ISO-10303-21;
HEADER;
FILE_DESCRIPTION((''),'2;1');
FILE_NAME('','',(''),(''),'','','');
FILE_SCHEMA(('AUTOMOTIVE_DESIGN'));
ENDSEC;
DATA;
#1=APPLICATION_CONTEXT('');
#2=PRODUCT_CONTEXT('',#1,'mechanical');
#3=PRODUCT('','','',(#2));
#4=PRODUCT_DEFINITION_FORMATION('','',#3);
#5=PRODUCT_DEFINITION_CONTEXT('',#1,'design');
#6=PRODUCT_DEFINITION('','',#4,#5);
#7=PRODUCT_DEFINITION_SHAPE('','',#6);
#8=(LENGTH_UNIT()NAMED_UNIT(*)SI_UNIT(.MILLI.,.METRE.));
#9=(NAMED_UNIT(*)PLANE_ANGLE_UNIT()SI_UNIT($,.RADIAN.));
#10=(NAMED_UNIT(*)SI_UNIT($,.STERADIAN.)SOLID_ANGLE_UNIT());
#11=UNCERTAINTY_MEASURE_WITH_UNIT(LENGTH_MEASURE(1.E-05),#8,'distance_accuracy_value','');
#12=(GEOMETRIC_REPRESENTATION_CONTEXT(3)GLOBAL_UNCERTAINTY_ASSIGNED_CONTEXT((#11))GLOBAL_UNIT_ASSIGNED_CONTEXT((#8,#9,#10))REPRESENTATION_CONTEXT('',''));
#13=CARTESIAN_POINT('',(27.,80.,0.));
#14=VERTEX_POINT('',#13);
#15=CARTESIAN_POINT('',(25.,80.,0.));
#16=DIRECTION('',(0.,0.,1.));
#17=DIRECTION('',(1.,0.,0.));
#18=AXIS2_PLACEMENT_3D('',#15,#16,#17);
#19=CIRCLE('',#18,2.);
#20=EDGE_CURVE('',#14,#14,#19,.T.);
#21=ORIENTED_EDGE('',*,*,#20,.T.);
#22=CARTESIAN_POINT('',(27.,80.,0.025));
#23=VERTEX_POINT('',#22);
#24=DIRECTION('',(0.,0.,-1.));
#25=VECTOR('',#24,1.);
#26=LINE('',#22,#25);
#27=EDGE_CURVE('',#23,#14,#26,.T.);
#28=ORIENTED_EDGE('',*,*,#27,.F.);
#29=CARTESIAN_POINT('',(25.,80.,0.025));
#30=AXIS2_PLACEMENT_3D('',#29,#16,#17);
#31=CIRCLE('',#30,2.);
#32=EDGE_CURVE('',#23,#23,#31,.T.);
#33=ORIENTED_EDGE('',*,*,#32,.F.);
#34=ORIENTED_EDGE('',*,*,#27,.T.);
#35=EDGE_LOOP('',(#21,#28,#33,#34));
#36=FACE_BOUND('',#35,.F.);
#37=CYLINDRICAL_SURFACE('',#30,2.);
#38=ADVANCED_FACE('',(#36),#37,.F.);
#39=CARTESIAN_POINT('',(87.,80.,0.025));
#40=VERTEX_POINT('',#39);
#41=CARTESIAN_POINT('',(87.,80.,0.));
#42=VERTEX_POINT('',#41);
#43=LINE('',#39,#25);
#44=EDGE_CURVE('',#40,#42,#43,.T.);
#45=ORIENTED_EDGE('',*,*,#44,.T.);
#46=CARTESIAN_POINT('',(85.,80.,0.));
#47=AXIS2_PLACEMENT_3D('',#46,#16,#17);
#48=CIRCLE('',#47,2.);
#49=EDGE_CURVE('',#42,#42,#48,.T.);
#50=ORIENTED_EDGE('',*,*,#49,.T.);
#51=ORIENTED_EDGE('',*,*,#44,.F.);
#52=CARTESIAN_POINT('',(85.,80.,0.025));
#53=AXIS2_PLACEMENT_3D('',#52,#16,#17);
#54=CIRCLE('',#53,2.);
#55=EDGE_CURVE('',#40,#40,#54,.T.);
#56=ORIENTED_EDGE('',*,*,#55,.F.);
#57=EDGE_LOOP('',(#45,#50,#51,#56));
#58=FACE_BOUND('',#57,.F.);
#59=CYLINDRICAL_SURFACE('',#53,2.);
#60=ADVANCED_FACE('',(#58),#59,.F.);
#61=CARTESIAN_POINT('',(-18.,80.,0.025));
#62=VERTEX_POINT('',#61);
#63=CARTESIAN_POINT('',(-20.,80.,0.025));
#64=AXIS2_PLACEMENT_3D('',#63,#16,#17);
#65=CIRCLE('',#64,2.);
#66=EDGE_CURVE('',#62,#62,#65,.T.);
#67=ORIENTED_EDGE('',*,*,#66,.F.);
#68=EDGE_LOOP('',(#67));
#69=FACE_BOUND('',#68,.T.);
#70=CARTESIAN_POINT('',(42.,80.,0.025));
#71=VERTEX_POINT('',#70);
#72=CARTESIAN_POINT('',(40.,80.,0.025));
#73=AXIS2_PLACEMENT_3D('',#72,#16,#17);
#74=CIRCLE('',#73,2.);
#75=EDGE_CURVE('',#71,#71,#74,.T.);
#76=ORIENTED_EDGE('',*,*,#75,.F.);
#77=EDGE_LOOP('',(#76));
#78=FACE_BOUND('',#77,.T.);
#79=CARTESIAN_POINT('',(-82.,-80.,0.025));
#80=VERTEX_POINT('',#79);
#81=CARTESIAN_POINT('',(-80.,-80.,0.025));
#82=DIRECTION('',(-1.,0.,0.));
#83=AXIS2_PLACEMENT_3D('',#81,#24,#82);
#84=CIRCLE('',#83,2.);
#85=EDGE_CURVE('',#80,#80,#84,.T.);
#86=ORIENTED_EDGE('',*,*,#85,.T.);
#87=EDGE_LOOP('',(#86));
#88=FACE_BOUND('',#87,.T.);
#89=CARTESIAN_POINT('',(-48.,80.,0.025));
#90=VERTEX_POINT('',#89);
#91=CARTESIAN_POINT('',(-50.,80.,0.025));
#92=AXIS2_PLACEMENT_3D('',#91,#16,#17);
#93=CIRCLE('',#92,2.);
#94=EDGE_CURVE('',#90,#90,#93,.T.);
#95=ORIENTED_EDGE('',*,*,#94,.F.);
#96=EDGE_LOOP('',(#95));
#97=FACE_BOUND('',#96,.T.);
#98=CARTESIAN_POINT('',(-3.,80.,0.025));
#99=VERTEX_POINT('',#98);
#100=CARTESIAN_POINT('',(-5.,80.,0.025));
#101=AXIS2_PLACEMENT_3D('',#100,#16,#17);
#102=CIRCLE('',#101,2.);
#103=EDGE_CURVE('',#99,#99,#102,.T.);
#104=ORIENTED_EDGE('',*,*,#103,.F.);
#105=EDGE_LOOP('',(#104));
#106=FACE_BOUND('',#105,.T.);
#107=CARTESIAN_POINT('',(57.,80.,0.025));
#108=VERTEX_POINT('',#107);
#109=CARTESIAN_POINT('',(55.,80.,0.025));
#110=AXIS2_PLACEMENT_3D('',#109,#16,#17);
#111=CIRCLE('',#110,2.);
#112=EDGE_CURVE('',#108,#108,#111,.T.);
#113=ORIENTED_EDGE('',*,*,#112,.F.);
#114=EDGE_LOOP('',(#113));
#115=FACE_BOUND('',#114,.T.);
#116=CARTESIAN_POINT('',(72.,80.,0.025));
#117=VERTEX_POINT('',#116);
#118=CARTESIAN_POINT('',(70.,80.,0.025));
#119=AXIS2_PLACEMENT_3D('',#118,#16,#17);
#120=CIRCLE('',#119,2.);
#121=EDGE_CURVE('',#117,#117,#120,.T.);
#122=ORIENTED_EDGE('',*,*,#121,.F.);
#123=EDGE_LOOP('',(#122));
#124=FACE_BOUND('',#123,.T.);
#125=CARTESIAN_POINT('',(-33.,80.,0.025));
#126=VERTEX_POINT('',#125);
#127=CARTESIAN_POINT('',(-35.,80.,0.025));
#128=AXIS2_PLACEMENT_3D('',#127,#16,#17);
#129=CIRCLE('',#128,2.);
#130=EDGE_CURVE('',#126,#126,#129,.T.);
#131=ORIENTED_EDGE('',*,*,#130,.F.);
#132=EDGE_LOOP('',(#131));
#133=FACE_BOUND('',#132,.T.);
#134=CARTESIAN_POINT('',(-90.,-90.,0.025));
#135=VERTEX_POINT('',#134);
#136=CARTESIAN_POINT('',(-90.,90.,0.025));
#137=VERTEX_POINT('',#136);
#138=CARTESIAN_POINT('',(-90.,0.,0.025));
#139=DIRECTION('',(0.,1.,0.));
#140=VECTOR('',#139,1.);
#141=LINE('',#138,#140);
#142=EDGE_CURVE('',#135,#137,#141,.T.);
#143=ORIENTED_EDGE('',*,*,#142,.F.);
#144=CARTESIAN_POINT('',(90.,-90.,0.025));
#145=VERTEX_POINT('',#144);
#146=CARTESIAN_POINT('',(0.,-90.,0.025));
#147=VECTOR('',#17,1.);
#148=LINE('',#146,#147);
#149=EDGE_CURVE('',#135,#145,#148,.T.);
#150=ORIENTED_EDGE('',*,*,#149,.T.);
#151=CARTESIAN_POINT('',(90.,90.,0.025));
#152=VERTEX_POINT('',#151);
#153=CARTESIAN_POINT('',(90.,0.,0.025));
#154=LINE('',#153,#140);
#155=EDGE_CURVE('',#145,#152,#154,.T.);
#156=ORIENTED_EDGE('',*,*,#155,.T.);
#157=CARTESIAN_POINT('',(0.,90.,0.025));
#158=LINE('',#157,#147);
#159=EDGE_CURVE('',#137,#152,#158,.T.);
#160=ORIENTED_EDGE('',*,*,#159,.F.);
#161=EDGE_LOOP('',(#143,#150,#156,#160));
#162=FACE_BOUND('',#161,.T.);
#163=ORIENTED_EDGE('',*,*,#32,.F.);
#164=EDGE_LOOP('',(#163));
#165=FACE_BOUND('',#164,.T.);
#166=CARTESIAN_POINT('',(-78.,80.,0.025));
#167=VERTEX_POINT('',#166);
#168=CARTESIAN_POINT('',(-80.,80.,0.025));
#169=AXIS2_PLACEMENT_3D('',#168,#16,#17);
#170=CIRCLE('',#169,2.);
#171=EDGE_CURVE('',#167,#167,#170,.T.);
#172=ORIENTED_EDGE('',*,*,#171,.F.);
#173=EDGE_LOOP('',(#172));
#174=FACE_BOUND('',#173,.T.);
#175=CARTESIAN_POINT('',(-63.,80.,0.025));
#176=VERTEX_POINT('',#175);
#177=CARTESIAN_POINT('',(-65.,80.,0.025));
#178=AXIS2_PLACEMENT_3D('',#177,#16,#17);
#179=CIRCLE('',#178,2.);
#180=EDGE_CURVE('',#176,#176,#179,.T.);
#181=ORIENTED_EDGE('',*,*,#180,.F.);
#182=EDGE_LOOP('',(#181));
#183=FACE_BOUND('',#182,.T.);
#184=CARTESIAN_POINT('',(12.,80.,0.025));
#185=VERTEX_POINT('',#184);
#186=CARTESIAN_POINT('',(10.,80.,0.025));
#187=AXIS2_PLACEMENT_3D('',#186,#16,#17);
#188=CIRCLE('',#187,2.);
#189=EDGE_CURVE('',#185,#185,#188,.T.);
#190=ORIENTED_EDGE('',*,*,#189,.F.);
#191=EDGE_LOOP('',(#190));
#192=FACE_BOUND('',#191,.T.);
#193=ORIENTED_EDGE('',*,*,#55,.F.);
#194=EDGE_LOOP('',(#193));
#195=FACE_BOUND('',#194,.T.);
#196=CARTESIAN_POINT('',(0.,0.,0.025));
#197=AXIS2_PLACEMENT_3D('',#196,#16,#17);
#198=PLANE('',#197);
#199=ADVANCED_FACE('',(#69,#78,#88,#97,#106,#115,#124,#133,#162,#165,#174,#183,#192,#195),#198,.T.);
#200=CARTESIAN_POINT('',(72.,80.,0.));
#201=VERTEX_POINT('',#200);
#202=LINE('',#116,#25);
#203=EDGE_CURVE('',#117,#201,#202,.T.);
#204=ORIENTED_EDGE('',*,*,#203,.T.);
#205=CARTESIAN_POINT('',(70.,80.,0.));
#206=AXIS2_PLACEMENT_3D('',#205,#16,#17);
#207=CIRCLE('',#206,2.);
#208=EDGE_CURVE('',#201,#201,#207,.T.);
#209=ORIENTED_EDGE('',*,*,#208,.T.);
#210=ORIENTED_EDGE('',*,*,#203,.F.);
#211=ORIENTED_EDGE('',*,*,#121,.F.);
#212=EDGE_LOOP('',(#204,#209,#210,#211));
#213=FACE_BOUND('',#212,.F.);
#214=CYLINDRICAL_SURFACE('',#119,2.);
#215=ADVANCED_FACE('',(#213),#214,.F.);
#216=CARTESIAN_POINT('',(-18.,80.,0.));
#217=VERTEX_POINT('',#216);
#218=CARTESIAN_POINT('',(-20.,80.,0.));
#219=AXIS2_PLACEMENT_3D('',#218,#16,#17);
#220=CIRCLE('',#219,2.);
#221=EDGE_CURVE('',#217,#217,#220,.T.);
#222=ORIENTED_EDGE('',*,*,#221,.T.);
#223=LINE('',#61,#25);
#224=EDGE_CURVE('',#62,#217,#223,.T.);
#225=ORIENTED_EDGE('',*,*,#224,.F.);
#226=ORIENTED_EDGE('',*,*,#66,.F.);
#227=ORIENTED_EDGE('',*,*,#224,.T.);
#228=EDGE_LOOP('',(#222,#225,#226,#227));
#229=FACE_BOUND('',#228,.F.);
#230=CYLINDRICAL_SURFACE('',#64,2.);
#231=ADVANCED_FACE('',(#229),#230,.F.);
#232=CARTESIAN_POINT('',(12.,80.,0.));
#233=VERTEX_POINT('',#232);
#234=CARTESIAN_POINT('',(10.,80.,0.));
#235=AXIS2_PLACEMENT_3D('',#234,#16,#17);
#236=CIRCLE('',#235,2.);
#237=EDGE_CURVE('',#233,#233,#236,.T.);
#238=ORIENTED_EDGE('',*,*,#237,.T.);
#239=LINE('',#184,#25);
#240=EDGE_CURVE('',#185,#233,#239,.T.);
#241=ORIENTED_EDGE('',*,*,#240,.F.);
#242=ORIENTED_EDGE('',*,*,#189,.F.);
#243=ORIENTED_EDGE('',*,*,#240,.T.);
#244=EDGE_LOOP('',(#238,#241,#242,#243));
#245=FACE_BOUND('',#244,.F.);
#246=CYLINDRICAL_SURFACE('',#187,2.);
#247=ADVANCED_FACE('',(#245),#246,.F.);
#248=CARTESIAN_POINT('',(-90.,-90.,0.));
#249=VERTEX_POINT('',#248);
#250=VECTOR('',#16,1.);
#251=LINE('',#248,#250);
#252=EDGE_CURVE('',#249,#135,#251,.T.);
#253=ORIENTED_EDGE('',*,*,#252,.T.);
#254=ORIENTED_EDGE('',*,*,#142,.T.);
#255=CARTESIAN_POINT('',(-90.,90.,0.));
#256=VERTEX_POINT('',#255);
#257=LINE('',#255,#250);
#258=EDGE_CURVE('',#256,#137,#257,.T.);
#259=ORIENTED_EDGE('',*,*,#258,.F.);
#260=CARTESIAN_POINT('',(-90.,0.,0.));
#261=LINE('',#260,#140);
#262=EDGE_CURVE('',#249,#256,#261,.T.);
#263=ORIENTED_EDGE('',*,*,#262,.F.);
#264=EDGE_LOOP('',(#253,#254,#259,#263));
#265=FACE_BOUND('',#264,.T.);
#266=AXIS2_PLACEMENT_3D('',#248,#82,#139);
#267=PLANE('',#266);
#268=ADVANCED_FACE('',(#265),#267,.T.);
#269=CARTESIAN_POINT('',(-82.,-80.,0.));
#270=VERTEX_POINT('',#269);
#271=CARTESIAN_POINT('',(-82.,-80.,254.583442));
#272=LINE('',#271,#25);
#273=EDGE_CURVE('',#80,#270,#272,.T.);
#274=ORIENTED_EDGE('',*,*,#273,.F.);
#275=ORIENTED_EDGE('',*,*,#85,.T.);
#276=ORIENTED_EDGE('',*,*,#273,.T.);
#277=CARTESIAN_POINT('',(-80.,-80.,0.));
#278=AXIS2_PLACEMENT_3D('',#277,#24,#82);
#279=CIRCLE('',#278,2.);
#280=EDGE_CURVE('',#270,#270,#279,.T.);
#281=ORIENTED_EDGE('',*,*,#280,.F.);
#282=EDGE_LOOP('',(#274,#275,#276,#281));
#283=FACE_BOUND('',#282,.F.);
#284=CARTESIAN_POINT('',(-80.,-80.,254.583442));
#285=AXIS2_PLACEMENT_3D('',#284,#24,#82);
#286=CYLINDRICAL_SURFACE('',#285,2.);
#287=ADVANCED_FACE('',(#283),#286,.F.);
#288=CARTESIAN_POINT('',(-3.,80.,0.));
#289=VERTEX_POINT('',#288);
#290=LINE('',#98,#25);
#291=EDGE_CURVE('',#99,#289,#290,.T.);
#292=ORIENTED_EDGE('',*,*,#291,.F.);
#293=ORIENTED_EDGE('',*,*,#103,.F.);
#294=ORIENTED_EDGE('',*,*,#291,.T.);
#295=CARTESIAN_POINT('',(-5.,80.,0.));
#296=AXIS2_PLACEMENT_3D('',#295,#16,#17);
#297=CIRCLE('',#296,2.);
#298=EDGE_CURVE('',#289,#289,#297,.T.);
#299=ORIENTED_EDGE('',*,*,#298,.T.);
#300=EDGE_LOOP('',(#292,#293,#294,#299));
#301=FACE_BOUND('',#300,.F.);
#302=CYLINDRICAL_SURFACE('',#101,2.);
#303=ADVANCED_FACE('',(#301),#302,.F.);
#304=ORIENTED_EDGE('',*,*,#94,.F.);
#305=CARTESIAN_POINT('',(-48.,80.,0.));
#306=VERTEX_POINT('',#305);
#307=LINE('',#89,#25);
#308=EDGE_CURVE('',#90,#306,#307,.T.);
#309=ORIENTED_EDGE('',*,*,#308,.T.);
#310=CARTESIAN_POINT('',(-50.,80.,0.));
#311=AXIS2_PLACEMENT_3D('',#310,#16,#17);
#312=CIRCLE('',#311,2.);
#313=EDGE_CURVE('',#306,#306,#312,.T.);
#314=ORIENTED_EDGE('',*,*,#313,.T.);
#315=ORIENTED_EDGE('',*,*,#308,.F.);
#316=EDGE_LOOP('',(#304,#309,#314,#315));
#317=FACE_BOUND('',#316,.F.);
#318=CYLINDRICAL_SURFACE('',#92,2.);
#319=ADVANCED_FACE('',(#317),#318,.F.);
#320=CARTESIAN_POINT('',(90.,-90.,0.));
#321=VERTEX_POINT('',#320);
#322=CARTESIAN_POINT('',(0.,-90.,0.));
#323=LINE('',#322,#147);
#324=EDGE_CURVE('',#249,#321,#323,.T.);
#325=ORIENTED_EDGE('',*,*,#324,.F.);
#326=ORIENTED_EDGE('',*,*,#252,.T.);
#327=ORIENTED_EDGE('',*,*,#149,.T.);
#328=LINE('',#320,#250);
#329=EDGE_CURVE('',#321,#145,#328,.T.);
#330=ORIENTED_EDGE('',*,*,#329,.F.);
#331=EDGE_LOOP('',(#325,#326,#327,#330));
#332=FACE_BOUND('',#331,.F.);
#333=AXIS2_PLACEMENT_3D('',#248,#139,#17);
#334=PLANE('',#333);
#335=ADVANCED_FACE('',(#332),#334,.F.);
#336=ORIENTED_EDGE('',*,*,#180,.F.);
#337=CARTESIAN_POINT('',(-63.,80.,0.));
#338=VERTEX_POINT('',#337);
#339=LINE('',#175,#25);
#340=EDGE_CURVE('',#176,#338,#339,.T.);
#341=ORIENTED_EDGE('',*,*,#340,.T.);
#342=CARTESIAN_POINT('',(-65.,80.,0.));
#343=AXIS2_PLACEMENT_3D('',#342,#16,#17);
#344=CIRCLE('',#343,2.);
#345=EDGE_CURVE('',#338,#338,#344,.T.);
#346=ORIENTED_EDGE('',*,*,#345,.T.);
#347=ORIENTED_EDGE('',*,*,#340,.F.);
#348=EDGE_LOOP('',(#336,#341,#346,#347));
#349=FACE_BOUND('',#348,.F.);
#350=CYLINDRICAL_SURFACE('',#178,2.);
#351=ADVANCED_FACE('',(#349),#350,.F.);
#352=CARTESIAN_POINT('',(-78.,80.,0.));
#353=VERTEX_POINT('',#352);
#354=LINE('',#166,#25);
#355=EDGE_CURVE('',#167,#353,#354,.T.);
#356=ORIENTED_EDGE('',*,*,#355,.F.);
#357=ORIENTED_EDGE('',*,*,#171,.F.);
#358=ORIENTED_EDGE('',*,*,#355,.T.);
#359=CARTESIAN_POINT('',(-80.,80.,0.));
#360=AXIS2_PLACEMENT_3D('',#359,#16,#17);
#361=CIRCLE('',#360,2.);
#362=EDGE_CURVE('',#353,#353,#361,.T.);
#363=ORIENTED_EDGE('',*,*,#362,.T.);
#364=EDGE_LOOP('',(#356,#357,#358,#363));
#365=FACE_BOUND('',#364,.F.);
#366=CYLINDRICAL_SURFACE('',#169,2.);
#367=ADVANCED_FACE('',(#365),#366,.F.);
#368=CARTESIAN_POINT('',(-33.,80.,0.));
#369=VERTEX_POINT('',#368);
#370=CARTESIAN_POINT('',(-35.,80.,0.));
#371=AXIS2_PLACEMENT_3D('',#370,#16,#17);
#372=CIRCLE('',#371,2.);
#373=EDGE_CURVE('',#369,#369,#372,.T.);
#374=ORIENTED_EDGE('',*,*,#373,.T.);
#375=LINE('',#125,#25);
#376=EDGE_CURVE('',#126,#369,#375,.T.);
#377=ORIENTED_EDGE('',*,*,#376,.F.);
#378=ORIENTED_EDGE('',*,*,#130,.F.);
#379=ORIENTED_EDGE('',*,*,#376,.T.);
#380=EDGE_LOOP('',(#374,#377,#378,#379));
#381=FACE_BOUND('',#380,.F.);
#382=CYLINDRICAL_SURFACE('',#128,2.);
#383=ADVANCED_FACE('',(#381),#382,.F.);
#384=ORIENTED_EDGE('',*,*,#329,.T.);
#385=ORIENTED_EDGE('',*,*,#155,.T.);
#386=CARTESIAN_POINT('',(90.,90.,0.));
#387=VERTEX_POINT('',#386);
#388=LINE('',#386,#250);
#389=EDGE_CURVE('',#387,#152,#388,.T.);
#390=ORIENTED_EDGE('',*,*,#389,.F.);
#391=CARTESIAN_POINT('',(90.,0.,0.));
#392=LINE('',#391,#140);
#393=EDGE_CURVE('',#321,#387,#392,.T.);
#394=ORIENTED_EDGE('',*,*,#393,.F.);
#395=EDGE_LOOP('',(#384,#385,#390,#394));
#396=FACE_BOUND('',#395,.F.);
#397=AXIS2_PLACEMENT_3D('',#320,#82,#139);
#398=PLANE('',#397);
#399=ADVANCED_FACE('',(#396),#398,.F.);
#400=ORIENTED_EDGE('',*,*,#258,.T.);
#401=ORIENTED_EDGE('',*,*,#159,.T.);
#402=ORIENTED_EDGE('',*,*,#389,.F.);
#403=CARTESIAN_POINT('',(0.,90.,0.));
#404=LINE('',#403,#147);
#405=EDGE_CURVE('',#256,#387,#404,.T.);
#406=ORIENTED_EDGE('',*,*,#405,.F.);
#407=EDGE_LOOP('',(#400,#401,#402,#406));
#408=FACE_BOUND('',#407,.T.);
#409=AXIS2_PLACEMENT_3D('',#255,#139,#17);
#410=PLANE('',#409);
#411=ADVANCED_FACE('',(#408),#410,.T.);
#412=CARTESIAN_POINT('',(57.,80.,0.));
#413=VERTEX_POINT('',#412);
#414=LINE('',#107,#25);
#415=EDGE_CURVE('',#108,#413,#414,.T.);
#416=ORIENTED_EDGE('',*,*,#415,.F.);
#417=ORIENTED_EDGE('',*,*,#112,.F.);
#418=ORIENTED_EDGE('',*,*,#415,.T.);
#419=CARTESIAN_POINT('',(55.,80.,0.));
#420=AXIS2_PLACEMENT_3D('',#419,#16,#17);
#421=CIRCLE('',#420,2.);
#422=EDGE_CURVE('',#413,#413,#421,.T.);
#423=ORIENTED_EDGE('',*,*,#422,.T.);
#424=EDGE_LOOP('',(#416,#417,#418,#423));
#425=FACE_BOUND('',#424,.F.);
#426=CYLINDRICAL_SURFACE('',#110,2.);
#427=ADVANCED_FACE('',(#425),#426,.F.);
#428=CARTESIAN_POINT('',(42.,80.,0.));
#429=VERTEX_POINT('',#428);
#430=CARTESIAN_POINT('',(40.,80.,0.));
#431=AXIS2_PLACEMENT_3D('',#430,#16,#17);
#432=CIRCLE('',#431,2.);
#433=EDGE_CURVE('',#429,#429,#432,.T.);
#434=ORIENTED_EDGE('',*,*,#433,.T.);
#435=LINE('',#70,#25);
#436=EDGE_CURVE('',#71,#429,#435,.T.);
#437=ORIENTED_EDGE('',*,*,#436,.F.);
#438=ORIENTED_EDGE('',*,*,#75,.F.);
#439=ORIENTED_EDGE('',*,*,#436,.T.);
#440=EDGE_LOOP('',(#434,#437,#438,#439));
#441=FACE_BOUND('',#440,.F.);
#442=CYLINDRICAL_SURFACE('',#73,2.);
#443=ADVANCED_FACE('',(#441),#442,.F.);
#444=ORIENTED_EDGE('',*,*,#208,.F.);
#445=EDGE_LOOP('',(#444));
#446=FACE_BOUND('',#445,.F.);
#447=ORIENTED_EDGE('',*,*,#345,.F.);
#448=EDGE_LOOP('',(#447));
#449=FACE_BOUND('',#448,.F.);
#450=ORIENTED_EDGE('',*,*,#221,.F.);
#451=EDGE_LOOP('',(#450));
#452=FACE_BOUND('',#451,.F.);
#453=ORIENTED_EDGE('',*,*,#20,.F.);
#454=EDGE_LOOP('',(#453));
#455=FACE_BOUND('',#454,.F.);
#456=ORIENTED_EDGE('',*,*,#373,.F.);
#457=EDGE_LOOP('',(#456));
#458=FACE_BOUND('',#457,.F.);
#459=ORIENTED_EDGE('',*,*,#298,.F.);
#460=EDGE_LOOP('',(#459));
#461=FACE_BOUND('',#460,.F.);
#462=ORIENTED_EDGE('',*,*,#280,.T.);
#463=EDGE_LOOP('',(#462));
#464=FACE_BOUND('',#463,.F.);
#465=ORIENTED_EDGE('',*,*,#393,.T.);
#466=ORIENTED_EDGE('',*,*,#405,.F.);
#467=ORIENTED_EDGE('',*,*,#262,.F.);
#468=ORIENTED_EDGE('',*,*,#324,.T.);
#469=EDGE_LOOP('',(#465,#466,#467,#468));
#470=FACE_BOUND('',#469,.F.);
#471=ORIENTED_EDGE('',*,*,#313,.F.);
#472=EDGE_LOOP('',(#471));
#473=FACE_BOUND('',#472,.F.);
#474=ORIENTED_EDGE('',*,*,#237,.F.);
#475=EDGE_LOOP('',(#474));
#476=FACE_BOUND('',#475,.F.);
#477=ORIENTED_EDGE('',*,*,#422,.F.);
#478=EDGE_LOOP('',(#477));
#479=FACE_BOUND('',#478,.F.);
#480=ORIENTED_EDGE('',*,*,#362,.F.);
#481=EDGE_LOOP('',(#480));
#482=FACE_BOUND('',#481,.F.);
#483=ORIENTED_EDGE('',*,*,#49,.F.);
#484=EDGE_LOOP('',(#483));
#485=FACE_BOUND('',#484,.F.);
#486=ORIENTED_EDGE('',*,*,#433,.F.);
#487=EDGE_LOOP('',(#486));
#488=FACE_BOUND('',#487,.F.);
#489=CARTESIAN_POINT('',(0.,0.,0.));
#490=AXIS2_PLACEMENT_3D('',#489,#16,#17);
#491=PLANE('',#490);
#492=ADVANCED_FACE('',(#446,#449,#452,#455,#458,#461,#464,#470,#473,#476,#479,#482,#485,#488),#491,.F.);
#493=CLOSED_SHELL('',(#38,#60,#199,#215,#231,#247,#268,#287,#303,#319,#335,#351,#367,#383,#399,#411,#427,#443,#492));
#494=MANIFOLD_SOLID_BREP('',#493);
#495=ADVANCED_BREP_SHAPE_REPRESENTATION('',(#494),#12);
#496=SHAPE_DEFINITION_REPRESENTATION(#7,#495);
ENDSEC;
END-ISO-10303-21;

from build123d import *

# Parameters (mm, degrees)
F0_W     = 180
F0_H     = 180
F1_DEPTH = 0.025
F3_D     = 4
F4_R     = 2
F5_DEPTH = 0.025


with BuildPart() as f1:
    # F0 (on Top) → F1 (new body)
    with BuildSketch(Plane.XY):
        Rectangle(F0_W, F0_H)
    extrude(amount=F1_DEPTH)

    # F3 (through all)
    with Locations(Plane.XY.offset(0.025)):
        with Locations((-80, -80)):
            Hole(F3_D / 2)

    # F4 (on face) → F5 (cut, through all)
    with BuildSketch(Plane.XY.offset(0.025)):
        with Locations((-80, 80)):
            Circle(F4_R)
        with Locations((-65, 80)):
            Circle(F4_R)
        with Locations((-50, 80)):
            Circle(F4_R)
        with Locations((-35, 80)):
            Circle(F4_R)
        with Locations((-20, 80)):
            Circle(F4_R)
        with Locations((-5, 80)):
            Circle(F4_R)
        with Locations((10, 80)):
            Circle(F4_R)
        with Locations((25, 80)):
            Circle(F4_R)
        with Locations((40, 80)):
            Circle(F4_R)
        with Locations((55, 80)):
            Circle(F4_R)
        with Locations((70, 80)):
            Circle(F4_R)
        with Locations((85, 80)):
            Circle(F4_R)
    extrude(amount=-F5_DEPTH, mode=Mode.SUBTRACT)


solid = f1.part
